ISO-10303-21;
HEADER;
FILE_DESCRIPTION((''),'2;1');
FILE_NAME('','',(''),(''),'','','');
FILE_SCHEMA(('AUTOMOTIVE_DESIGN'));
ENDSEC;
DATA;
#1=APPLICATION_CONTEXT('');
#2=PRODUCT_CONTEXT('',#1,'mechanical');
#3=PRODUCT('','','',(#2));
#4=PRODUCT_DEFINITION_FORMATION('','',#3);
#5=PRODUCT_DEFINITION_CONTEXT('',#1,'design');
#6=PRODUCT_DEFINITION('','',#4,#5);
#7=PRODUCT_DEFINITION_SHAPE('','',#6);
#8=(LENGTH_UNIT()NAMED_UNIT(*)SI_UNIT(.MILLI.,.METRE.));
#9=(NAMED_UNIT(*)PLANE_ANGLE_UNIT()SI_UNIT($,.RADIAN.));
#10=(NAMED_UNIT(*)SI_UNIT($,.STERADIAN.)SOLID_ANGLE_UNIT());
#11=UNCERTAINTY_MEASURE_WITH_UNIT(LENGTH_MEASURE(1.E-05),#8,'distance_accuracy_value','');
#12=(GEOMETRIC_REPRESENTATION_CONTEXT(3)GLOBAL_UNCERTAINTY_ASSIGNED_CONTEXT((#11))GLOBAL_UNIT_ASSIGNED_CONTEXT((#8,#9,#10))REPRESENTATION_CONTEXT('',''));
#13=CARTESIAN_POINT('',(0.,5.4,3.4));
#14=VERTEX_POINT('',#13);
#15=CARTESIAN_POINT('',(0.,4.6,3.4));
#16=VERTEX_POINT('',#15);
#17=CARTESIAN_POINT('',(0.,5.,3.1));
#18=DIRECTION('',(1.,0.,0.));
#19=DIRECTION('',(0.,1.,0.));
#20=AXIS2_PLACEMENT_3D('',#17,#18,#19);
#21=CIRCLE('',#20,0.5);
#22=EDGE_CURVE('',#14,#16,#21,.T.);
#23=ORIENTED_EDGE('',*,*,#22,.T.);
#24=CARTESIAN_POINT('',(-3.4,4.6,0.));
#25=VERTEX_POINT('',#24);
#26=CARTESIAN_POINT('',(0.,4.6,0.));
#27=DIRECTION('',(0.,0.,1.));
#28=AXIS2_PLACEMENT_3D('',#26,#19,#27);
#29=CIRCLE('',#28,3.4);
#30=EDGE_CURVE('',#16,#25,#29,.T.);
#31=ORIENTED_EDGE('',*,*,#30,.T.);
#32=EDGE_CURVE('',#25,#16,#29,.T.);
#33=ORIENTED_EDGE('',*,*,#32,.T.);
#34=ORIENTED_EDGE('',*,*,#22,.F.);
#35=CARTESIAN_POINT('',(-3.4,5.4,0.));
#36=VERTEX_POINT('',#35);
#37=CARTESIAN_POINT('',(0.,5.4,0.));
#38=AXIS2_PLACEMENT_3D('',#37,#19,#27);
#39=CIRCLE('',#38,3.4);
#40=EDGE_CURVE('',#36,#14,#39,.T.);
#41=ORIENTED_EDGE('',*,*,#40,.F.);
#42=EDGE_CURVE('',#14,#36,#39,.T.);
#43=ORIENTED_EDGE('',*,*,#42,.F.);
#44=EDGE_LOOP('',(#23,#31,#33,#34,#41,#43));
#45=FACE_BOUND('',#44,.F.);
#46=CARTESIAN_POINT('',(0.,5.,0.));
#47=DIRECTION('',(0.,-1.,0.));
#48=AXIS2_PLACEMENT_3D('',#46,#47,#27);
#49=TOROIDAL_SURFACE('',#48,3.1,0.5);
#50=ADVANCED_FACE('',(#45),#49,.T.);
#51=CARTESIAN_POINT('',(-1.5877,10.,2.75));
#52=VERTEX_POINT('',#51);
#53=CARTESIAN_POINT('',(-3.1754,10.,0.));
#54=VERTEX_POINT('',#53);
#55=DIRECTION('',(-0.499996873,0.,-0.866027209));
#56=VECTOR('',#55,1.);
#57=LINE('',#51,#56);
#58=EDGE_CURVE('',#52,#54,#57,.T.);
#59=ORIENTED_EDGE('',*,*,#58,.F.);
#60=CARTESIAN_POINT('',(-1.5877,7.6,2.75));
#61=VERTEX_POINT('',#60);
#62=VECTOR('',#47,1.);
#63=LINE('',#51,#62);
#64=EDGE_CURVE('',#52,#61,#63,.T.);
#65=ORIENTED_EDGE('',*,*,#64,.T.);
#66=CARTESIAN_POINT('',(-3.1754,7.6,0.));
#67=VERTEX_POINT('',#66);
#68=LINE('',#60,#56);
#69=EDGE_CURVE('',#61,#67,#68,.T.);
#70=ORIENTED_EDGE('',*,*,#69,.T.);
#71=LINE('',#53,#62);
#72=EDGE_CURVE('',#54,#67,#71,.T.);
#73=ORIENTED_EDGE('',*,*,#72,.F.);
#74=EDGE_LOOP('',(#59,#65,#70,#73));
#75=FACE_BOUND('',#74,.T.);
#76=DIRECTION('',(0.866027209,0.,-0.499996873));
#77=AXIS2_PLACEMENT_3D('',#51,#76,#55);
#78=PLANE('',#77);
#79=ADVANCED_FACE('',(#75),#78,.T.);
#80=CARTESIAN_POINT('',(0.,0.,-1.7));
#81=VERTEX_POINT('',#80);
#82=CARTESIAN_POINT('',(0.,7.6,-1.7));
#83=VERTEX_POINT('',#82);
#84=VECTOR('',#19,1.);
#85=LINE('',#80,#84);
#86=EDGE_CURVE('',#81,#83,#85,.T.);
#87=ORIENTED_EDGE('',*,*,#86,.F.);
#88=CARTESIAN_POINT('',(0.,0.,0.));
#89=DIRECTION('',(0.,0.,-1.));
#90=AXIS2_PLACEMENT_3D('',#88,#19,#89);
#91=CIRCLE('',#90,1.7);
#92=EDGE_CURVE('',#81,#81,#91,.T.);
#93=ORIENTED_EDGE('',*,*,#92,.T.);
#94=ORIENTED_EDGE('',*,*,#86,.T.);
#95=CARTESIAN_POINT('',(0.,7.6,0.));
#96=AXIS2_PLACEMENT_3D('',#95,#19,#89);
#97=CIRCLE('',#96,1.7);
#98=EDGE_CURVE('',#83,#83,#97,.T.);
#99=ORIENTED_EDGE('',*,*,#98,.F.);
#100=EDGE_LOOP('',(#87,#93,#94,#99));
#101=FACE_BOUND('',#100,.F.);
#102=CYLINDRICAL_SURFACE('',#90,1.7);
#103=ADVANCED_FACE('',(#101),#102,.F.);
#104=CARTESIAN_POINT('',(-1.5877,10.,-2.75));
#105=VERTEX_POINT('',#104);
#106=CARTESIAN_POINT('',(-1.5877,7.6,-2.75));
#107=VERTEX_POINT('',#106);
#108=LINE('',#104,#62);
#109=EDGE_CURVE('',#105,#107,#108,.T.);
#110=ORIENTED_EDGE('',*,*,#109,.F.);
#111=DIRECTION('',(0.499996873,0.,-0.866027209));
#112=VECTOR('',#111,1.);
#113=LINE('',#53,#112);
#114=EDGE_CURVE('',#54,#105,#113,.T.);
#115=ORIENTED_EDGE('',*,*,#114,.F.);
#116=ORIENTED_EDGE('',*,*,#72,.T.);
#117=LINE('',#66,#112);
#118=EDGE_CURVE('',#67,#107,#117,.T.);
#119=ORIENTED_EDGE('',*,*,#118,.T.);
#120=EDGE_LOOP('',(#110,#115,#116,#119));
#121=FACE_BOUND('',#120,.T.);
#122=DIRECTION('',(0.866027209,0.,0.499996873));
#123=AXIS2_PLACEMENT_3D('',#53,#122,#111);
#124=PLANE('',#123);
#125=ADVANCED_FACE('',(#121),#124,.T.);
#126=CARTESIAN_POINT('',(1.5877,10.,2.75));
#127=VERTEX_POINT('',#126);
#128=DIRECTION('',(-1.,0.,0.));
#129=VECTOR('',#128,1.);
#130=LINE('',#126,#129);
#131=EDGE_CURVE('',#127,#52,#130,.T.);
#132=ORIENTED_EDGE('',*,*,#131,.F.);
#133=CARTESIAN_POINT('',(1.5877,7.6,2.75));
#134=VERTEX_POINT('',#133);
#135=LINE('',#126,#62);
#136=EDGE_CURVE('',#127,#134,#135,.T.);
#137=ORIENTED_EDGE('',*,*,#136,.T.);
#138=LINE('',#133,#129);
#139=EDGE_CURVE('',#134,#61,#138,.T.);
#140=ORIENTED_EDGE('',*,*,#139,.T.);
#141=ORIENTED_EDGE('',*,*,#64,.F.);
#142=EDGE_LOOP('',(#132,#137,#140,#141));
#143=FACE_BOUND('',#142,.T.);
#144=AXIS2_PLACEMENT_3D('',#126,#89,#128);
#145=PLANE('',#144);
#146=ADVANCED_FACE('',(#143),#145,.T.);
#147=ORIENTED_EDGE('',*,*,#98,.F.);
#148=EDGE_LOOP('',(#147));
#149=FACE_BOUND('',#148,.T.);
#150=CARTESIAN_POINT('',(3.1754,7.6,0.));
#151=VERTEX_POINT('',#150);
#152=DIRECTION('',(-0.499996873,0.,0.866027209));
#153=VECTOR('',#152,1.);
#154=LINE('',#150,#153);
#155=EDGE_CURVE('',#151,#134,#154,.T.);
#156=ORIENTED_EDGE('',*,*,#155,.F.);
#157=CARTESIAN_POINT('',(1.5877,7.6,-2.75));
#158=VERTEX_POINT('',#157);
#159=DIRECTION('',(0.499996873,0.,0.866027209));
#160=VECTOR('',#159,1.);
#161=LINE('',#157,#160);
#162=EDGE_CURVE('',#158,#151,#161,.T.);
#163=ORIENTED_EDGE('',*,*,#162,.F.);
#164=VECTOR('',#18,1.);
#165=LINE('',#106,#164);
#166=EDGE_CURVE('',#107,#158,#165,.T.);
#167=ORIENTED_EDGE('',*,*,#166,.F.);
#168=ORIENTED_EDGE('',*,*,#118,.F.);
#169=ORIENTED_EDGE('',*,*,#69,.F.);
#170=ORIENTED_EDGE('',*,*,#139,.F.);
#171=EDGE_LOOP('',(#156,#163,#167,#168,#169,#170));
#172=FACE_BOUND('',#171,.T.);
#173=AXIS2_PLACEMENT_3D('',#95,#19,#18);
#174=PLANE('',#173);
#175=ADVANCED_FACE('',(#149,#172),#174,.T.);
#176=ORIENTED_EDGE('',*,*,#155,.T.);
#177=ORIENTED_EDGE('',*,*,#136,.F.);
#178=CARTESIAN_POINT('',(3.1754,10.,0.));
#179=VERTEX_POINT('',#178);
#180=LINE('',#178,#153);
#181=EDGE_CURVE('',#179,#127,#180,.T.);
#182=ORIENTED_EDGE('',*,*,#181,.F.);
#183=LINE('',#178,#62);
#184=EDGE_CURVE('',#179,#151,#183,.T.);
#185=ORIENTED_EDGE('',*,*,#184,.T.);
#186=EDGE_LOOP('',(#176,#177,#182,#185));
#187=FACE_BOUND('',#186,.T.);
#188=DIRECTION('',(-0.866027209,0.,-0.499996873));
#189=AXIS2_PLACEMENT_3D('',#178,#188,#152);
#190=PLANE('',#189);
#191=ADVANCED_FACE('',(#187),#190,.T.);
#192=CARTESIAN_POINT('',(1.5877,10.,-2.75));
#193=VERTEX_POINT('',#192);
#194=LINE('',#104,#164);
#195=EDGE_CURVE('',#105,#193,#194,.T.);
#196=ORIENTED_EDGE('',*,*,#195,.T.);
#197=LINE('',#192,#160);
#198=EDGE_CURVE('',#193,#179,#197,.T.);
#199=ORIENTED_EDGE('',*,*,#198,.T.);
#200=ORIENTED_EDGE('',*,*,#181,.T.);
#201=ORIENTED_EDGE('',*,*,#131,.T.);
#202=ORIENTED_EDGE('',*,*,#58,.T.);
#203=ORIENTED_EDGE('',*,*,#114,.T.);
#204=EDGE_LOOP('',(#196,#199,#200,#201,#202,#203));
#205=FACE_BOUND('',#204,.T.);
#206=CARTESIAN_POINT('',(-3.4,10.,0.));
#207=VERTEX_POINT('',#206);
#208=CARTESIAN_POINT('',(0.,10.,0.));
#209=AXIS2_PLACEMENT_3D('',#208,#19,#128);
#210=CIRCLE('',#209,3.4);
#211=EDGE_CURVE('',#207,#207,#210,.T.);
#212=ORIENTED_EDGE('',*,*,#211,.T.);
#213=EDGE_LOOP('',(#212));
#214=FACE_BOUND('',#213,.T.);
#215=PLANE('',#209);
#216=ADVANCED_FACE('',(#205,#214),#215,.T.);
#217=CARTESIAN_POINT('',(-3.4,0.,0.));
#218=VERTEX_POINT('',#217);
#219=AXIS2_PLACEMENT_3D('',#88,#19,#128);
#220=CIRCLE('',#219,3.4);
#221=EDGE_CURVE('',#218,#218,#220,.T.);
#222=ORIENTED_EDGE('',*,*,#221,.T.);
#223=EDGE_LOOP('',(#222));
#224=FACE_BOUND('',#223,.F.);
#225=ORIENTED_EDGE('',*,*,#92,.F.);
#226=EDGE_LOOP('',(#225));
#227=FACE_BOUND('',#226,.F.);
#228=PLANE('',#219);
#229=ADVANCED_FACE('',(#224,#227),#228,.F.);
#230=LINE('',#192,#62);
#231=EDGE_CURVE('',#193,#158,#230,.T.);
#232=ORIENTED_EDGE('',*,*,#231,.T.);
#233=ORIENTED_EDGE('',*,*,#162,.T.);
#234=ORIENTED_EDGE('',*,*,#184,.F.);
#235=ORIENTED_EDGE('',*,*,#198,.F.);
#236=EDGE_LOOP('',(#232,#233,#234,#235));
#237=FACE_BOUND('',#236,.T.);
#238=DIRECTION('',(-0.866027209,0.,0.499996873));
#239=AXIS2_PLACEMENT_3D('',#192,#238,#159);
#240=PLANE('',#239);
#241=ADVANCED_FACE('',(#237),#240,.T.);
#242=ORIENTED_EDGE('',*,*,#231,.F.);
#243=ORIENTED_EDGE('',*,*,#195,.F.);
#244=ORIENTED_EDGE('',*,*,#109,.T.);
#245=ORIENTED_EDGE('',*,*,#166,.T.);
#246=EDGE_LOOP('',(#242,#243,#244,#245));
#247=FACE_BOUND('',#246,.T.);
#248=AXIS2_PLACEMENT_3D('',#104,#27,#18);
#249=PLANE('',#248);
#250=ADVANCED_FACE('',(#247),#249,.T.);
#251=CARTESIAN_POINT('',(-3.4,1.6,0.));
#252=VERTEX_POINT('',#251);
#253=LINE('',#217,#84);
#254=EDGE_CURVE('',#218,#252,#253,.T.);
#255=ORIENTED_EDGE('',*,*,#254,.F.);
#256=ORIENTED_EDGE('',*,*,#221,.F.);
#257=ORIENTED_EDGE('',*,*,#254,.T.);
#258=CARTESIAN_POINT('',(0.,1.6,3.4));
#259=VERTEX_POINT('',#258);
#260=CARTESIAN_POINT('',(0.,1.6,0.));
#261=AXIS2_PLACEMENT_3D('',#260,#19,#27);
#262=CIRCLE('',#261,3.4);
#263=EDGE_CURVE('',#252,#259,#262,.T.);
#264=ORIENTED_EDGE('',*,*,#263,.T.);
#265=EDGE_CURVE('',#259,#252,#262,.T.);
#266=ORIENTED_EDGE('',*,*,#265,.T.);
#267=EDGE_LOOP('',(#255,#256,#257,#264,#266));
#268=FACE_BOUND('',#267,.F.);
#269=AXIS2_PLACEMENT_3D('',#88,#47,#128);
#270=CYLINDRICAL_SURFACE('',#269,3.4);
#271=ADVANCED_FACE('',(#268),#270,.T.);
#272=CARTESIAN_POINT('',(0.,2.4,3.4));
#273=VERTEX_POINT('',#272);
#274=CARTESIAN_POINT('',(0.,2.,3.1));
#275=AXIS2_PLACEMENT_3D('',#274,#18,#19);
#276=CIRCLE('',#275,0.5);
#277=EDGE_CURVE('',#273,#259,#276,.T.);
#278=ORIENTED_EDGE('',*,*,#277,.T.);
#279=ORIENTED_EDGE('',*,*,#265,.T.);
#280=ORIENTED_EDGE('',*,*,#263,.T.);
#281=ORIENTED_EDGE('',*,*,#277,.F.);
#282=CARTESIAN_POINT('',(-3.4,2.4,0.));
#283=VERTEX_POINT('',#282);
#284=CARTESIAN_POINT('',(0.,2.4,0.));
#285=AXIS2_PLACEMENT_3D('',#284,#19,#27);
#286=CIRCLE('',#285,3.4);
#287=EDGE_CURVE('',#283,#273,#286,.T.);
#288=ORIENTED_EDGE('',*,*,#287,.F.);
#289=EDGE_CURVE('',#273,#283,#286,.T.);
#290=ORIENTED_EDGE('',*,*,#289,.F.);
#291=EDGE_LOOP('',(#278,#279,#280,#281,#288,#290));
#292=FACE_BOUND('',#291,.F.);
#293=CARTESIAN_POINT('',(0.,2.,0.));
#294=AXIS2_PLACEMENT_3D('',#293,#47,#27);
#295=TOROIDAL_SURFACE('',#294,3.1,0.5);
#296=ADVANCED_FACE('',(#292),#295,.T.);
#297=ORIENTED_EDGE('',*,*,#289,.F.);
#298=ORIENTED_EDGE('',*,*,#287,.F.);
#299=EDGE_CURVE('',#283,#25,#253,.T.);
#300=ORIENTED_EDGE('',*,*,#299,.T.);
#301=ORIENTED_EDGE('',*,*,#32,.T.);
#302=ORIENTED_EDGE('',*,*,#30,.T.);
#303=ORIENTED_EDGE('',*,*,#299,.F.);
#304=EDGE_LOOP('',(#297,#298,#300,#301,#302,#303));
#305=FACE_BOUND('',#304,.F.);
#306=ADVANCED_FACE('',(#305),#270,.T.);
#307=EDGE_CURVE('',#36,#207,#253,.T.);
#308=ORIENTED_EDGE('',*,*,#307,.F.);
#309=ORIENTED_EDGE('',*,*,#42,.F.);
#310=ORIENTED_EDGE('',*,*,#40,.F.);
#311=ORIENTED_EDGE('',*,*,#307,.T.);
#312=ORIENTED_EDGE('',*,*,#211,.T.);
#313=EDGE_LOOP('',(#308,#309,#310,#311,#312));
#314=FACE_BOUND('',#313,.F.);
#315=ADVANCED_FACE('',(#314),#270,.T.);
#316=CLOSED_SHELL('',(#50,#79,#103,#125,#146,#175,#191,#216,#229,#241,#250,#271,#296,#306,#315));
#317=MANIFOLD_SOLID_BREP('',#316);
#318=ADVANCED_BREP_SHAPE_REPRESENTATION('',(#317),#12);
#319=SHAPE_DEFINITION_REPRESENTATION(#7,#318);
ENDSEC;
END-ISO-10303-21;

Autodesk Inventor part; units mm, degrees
ref_plane "YZ Plane" through (0, 0, 0) normal (1, 0, 0) x (0, 1, 0)
ref_plane "XZ Plane" through (0, 0, 0) normal (0, 1, 0) x (-1, 0, 0)
ref_plane "XY Plane" through (0, 0, 0) normal (0, 0, 1) x (1, 0, 0)
sketch "Skizze1" plane through (0, 0, 0) normal (0, 1, 0) x (-1, 0, 0)
  circle A0 centre (0, 0) radius 3.4
  dimension "d0" = 6.8
extrude "Extrusion1" add sketch "Skizze1" along normal blind 10
sketch "Skizze2" plane through (0, 10, 0) normal (0, 1, 0) x (1, 0, 0)
  line L0 (-3.1754, 0) -> (-1.5877, 2.75)
  line L1 (-1.5877, 2.75) -> (1.5877, 2.75)
  line L2 (1.5877, 2.75) -> (3.1754, 0)
  line L3 (3.1754, 0) -> (1.5877, -2.75)
  line L4 (1.5877, -2.75) -> (-1.5877, -2.75)
  line L5 (-1.5877, -2.75) -> (-3.1754, 0)
  line L6 (3.1754, 0) -> (-3.1754, 0) construction
  line L7 (-4.76, 0) -> (4.76, 0) construction
  point P0 (0, 0)
  point P1 (0, 0)
  dimension "d10" = 5.5
extrude "Extrusion2" cut sketch "Skizze2" against normal blind 2.4
hole "Bohrung2" at (0, 0, 0) direction (0, 1, 0) diameter 3.4 end through all clearance for "Inbusschraube DIN EN ISO 4762" size "M3" standard "DIN"
sketch "Skizze3" plane through (0, 0, 0) normal (1, 0, 0) x (0, 1, 0)
  circle A0 centre (5, 3.1) radius 0.5
  line L0 (10, 2.75) -> (10, 0) projected
  line L1 (0, 0) -> (10, 0) construction
  circle A1 centre (2, 3.1) radius 0.5
  line L2 (2, 3.1) -> (5, 3.1) construction
  line L3 (0, 3.4) -> (10, 3.4) projected
  point P0 (1.6, 3.4)
  point P1 (2.4, 3.4)
  point P2 (4.6, 3.4)
  point P3 (5.4, 3.4)
  dimension "d21" = 3.1
  dimension "d22" = 5
  dimension "d23" = 3
  dimension "d24" = 1
revolve "Umdrehung1" add sketch "Skizze3" angle 360 about axis through (0, 0, 0) along (0, 1, 0) picked at (1.8932, 3.428) picked at (4.8932, 3.428) contours L3 A1 | L3 A0
properties part number "Tuebel"
